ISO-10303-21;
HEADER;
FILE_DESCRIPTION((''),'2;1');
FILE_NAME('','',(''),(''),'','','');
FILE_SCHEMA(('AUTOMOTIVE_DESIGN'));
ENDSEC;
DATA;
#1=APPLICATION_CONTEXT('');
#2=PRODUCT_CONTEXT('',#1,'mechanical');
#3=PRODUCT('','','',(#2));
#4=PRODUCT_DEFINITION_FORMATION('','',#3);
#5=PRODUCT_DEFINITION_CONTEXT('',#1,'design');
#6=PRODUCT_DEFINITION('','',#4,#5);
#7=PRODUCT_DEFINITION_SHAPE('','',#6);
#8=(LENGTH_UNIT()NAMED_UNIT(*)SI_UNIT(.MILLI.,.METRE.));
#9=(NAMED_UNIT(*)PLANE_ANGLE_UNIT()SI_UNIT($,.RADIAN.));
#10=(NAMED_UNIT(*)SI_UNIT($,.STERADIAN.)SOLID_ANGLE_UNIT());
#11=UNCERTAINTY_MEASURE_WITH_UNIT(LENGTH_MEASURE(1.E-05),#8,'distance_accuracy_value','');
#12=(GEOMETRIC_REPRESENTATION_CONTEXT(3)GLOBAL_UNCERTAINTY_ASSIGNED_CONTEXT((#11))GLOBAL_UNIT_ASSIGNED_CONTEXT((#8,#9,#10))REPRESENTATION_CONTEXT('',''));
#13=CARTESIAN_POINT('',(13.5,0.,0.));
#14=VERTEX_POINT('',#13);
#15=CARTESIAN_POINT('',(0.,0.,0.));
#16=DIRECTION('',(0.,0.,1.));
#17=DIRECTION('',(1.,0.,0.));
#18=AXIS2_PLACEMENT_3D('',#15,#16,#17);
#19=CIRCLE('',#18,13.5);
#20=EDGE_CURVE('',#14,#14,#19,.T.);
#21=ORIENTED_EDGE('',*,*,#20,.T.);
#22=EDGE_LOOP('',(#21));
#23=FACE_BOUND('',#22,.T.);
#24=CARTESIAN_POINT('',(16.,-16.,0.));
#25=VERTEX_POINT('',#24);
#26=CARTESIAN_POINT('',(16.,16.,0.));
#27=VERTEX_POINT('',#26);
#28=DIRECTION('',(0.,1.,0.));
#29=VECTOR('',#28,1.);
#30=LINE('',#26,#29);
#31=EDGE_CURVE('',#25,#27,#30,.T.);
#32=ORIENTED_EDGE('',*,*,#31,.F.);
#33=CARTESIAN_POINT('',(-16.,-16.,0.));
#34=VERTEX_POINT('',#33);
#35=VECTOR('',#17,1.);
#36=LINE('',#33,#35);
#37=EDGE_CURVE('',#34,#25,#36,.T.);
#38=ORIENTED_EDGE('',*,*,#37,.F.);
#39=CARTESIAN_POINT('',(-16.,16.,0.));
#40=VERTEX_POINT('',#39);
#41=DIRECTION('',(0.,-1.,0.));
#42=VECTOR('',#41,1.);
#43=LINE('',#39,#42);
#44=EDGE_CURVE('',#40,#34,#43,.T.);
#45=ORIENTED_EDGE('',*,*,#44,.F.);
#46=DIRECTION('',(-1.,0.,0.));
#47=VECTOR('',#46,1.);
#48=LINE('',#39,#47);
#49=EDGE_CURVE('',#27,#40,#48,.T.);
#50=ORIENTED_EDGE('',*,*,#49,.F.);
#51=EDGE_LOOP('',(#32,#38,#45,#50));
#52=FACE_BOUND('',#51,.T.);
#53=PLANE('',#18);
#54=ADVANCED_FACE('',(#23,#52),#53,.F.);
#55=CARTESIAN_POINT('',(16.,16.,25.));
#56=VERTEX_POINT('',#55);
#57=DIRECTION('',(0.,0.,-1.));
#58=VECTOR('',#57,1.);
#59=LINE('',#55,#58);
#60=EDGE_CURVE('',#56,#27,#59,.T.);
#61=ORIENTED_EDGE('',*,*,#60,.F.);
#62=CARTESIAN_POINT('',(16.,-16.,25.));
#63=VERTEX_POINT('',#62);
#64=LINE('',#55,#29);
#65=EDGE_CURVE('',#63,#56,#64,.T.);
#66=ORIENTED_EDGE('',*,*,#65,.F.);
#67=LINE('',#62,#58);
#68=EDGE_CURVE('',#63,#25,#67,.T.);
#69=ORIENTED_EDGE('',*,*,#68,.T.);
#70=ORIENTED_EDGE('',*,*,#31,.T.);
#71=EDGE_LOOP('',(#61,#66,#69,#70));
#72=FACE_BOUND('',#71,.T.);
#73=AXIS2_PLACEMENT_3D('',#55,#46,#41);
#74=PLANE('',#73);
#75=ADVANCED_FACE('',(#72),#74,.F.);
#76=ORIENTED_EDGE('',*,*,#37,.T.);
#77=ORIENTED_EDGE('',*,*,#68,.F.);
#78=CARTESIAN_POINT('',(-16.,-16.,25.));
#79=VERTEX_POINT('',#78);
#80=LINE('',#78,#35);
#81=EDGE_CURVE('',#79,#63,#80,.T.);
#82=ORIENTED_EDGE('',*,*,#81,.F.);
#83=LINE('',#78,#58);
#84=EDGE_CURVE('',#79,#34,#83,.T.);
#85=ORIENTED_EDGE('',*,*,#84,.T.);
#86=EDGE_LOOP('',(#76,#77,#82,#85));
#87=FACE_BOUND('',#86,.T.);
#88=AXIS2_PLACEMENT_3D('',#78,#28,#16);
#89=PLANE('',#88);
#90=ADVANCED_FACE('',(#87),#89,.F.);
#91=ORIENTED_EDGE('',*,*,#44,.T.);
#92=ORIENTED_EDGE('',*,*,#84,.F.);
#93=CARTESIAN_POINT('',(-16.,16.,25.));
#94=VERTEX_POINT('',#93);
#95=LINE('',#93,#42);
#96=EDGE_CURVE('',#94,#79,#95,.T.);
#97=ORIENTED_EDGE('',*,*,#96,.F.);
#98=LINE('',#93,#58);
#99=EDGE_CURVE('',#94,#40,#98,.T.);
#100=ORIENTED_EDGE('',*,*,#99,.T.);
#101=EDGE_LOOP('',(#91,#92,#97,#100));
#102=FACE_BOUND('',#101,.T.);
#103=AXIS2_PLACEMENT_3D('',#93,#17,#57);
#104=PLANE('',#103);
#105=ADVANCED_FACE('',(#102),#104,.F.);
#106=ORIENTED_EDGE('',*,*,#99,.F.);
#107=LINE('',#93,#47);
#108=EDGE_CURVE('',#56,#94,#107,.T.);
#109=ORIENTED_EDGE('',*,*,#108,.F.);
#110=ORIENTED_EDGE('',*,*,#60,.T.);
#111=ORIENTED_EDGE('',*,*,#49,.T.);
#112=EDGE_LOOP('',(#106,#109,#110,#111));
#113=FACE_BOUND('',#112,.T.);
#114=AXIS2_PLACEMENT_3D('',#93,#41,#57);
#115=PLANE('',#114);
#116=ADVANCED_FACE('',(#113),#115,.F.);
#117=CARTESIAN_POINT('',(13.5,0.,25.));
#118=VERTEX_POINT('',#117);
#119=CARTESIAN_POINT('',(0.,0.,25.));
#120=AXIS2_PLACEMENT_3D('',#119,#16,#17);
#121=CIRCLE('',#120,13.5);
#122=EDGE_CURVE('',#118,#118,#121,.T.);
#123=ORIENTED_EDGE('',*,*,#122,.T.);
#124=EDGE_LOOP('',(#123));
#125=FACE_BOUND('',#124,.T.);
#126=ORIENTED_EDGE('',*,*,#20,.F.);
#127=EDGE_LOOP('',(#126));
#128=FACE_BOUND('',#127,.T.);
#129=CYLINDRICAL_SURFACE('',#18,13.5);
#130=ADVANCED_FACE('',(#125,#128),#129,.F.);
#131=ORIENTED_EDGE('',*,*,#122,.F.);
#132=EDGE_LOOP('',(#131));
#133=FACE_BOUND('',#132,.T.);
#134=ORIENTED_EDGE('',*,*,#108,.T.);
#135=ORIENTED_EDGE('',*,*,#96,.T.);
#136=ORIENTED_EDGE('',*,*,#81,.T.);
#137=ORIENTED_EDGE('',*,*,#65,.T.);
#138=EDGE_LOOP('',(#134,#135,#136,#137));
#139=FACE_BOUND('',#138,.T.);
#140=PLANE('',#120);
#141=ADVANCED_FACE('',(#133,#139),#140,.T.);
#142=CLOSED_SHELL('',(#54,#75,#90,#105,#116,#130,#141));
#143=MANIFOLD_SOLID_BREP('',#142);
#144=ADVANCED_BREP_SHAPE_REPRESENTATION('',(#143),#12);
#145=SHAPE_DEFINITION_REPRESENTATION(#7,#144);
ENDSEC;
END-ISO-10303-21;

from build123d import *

# Parameters (mm, degrees)
SKETCH_1_W          = 32
SKETCH_1_H          = 32
EXTRUDE_1_DEPTH     = 25
SKETCH_2_R          = 13.5
CUT_EXTRUDE_1_DEPTH = 34.7194306


with BuildPart() as part:
    # Эскиз1 → Бобышка-Вытянуть1 (new body)
    with BuildSketch(Plane.XY):
        Rectangle(SKETCH_1_W, SKETCH_1_H)
    extrude(amount=EXTRUDE_1_DEPTH)

    # Эскиз2 → Вырез-Вытянуть1 (cut, through all)
    with BuildSketch(Plane.XY.offset(25)):
        Circle(SKETCH_2_R)
    extrude(amount=-CUT_EXTRUDE_1_DEPTH, mode=Mode.SUBTRACT)


solid = part.part
